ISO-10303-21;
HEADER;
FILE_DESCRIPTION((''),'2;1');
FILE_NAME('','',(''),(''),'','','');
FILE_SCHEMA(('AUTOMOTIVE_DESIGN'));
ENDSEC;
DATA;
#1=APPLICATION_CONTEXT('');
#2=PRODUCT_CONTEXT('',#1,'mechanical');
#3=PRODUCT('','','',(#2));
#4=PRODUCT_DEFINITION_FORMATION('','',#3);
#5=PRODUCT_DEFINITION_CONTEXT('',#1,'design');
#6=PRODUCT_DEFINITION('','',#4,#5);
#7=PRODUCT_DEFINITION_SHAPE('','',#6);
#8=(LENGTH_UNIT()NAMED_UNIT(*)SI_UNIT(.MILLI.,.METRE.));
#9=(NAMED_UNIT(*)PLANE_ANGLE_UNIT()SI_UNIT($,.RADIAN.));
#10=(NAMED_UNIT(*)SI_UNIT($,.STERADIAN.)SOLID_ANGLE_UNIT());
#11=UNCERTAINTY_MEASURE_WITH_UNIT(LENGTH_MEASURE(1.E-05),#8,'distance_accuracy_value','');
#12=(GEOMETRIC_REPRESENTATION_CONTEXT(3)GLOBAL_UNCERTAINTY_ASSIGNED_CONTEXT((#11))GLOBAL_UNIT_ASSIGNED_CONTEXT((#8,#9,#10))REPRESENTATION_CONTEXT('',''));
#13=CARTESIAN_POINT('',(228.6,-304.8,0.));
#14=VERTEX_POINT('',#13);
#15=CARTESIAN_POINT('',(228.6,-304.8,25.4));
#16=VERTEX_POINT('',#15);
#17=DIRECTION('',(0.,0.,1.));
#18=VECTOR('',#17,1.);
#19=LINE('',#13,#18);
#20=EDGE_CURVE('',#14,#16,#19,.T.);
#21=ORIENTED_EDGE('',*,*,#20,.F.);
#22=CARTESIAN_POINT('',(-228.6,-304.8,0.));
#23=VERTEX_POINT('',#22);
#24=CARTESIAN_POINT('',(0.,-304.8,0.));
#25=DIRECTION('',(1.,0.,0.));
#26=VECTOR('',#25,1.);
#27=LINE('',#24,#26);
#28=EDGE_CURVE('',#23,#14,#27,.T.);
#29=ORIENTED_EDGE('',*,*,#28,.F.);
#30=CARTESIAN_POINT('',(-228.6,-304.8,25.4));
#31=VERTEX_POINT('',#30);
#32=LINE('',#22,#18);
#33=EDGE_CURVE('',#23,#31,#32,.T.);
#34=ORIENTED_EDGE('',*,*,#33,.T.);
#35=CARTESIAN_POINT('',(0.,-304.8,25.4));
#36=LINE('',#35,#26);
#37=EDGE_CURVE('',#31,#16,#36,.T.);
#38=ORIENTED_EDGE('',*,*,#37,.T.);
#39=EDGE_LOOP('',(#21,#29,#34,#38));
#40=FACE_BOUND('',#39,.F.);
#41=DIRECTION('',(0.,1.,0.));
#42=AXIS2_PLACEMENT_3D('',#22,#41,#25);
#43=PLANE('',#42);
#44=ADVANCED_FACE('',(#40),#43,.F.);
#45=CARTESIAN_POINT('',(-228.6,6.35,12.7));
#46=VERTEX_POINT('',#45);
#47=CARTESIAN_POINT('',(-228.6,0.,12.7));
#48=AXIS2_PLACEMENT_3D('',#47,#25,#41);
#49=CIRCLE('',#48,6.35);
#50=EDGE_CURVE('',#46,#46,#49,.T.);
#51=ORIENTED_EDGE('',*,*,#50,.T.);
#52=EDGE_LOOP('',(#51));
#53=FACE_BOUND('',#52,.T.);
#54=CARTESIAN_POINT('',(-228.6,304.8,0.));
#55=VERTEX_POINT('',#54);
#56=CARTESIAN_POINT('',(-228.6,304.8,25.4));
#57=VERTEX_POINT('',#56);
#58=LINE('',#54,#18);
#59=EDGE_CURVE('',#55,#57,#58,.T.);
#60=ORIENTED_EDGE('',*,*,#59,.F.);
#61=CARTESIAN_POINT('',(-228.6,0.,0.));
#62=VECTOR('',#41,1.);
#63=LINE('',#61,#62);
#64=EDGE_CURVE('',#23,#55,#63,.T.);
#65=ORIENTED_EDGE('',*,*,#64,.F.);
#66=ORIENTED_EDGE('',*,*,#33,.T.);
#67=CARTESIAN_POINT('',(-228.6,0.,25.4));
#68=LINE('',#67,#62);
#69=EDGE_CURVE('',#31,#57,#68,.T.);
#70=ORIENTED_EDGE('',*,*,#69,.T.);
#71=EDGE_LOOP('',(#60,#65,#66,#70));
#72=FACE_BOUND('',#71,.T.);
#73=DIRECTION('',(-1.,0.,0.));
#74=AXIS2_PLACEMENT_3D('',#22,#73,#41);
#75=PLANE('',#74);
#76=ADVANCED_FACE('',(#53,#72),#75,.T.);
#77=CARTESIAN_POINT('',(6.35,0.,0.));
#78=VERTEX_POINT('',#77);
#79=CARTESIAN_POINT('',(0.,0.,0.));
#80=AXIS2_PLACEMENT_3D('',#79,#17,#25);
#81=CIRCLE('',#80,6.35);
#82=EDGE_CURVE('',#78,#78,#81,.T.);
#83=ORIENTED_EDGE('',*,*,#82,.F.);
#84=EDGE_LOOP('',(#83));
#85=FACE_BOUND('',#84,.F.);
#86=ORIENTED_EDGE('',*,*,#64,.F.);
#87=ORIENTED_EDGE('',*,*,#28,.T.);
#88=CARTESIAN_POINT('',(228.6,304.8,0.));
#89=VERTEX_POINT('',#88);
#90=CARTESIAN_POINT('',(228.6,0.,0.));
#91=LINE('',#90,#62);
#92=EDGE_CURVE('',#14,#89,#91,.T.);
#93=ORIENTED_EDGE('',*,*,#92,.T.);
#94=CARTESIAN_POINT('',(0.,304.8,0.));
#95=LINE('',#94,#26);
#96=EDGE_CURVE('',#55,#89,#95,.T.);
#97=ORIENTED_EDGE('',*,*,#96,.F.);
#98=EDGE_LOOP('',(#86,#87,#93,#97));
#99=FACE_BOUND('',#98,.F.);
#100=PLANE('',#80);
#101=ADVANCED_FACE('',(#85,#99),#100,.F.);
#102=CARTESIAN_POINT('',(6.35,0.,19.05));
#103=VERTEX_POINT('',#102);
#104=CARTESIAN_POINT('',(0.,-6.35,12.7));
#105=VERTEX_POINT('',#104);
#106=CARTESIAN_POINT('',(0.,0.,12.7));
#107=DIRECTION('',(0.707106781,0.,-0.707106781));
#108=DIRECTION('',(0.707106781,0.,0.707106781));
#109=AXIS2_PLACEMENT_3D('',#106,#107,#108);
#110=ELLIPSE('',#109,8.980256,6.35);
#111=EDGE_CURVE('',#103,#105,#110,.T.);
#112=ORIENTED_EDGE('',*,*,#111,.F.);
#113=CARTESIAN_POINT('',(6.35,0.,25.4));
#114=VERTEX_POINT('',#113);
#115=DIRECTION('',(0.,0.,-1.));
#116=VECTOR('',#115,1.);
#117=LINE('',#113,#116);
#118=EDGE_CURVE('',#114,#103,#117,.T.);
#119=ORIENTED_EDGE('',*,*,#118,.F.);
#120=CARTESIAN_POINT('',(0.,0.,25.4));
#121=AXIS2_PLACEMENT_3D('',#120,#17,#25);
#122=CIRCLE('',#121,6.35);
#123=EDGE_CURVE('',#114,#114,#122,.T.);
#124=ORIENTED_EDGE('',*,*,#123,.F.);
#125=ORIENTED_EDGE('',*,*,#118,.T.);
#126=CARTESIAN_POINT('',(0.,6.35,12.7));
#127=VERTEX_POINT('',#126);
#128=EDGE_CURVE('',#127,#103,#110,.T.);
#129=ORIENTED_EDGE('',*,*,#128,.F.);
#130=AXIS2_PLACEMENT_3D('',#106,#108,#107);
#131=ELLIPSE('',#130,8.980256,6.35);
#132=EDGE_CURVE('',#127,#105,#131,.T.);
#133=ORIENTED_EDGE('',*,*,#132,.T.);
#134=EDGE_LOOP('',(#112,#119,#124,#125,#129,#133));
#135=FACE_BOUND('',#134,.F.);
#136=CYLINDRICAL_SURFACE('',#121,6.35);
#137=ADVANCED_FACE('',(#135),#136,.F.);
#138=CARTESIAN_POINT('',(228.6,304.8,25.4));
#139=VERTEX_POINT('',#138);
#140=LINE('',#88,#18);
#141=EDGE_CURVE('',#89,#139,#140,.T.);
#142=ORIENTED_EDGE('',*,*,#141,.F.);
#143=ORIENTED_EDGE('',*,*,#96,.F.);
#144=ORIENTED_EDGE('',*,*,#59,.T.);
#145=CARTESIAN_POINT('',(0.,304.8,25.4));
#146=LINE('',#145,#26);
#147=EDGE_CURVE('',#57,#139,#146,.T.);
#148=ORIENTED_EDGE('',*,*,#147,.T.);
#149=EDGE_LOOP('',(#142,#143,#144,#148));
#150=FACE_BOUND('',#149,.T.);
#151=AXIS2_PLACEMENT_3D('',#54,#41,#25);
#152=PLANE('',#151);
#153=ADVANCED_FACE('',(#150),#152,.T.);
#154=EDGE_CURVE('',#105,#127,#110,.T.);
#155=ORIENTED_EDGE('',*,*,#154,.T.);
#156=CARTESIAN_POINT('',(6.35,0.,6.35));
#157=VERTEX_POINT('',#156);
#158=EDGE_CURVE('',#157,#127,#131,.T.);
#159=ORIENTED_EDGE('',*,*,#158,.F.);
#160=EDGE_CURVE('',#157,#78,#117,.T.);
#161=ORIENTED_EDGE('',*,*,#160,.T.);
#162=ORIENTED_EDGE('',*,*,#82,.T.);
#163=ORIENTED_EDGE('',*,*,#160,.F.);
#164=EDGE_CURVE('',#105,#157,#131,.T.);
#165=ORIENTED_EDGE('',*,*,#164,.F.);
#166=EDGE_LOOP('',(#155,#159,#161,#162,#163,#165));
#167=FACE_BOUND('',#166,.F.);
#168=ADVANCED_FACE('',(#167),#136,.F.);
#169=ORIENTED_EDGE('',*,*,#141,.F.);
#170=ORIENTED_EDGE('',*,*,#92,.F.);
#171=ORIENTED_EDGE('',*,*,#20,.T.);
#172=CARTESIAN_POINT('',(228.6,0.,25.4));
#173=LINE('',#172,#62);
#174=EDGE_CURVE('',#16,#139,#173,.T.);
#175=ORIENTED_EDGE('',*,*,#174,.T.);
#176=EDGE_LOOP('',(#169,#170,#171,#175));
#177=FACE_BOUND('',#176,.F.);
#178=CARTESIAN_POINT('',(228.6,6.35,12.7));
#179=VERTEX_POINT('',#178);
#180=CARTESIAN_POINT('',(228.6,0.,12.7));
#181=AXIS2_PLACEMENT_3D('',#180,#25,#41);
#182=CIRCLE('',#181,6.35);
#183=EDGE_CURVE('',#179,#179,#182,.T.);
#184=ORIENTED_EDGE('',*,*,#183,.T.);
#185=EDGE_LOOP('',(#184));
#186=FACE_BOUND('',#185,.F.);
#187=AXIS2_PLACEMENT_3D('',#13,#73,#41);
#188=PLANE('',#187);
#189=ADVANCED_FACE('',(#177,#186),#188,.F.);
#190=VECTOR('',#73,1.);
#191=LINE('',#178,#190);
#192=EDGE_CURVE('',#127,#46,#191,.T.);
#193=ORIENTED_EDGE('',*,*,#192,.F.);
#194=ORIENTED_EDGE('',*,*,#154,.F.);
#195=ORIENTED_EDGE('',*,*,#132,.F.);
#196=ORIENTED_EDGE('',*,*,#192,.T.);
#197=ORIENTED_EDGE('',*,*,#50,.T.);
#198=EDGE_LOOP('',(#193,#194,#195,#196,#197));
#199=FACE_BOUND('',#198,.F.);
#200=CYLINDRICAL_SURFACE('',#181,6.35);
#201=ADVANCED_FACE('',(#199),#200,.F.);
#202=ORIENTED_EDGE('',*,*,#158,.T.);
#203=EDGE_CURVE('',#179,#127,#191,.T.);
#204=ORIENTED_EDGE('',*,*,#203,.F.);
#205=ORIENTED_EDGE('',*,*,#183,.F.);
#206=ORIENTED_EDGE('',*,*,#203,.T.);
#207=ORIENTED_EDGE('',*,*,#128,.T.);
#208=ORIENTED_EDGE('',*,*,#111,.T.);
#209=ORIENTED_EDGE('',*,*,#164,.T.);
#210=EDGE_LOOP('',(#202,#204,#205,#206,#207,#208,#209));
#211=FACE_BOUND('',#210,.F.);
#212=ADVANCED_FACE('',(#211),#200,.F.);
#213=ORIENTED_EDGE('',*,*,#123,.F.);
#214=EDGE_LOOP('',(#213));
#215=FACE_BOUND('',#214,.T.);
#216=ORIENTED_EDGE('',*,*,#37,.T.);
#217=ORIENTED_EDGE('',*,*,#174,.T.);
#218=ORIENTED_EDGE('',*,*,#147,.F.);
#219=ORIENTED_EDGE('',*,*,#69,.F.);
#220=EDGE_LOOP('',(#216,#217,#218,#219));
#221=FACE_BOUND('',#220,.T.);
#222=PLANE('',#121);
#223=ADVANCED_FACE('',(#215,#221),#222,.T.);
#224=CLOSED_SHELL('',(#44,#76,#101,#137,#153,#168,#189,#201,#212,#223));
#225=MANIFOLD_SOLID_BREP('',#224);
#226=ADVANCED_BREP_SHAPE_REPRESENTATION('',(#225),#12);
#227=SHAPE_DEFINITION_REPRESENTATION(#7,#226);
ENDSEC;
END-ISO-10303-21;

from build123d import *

# Parameters (mm, degrees)
F0_W     = 457.2
F0_H     = 609.6
F1_DEPTH = 25.4
F2_R     = 6.35
F3_DEPTH = 762
F4_R     = 6.35
F5_DEPTH = 25.4


with BuildPart() as f1:
    # F0 (on Top) → F1 (new body)
    with BuildSketch(Plane.XY):
        Rectangle(F0_W, F0_H)
    extrude(amount=F1_DEPTH)

    # F2 (on face) → F3 (cut)
    with BuildSketch(Plane.YZ.offset(228.6)):
        with Locations((0, 12.7)):
            Circle(F2_R)
    extrude(amount=-F3_DEPTH, mode=Mode.SUBTRACT)

    # F4 (on face) → F5 (cut)
    with BuildSketch(Plane.XY.offset(25.4)):
        Circle(F4_R)
    extrude(amount=-F5_DEPTH, mode=Mode.SUBTRACT)


solid = f1.part
